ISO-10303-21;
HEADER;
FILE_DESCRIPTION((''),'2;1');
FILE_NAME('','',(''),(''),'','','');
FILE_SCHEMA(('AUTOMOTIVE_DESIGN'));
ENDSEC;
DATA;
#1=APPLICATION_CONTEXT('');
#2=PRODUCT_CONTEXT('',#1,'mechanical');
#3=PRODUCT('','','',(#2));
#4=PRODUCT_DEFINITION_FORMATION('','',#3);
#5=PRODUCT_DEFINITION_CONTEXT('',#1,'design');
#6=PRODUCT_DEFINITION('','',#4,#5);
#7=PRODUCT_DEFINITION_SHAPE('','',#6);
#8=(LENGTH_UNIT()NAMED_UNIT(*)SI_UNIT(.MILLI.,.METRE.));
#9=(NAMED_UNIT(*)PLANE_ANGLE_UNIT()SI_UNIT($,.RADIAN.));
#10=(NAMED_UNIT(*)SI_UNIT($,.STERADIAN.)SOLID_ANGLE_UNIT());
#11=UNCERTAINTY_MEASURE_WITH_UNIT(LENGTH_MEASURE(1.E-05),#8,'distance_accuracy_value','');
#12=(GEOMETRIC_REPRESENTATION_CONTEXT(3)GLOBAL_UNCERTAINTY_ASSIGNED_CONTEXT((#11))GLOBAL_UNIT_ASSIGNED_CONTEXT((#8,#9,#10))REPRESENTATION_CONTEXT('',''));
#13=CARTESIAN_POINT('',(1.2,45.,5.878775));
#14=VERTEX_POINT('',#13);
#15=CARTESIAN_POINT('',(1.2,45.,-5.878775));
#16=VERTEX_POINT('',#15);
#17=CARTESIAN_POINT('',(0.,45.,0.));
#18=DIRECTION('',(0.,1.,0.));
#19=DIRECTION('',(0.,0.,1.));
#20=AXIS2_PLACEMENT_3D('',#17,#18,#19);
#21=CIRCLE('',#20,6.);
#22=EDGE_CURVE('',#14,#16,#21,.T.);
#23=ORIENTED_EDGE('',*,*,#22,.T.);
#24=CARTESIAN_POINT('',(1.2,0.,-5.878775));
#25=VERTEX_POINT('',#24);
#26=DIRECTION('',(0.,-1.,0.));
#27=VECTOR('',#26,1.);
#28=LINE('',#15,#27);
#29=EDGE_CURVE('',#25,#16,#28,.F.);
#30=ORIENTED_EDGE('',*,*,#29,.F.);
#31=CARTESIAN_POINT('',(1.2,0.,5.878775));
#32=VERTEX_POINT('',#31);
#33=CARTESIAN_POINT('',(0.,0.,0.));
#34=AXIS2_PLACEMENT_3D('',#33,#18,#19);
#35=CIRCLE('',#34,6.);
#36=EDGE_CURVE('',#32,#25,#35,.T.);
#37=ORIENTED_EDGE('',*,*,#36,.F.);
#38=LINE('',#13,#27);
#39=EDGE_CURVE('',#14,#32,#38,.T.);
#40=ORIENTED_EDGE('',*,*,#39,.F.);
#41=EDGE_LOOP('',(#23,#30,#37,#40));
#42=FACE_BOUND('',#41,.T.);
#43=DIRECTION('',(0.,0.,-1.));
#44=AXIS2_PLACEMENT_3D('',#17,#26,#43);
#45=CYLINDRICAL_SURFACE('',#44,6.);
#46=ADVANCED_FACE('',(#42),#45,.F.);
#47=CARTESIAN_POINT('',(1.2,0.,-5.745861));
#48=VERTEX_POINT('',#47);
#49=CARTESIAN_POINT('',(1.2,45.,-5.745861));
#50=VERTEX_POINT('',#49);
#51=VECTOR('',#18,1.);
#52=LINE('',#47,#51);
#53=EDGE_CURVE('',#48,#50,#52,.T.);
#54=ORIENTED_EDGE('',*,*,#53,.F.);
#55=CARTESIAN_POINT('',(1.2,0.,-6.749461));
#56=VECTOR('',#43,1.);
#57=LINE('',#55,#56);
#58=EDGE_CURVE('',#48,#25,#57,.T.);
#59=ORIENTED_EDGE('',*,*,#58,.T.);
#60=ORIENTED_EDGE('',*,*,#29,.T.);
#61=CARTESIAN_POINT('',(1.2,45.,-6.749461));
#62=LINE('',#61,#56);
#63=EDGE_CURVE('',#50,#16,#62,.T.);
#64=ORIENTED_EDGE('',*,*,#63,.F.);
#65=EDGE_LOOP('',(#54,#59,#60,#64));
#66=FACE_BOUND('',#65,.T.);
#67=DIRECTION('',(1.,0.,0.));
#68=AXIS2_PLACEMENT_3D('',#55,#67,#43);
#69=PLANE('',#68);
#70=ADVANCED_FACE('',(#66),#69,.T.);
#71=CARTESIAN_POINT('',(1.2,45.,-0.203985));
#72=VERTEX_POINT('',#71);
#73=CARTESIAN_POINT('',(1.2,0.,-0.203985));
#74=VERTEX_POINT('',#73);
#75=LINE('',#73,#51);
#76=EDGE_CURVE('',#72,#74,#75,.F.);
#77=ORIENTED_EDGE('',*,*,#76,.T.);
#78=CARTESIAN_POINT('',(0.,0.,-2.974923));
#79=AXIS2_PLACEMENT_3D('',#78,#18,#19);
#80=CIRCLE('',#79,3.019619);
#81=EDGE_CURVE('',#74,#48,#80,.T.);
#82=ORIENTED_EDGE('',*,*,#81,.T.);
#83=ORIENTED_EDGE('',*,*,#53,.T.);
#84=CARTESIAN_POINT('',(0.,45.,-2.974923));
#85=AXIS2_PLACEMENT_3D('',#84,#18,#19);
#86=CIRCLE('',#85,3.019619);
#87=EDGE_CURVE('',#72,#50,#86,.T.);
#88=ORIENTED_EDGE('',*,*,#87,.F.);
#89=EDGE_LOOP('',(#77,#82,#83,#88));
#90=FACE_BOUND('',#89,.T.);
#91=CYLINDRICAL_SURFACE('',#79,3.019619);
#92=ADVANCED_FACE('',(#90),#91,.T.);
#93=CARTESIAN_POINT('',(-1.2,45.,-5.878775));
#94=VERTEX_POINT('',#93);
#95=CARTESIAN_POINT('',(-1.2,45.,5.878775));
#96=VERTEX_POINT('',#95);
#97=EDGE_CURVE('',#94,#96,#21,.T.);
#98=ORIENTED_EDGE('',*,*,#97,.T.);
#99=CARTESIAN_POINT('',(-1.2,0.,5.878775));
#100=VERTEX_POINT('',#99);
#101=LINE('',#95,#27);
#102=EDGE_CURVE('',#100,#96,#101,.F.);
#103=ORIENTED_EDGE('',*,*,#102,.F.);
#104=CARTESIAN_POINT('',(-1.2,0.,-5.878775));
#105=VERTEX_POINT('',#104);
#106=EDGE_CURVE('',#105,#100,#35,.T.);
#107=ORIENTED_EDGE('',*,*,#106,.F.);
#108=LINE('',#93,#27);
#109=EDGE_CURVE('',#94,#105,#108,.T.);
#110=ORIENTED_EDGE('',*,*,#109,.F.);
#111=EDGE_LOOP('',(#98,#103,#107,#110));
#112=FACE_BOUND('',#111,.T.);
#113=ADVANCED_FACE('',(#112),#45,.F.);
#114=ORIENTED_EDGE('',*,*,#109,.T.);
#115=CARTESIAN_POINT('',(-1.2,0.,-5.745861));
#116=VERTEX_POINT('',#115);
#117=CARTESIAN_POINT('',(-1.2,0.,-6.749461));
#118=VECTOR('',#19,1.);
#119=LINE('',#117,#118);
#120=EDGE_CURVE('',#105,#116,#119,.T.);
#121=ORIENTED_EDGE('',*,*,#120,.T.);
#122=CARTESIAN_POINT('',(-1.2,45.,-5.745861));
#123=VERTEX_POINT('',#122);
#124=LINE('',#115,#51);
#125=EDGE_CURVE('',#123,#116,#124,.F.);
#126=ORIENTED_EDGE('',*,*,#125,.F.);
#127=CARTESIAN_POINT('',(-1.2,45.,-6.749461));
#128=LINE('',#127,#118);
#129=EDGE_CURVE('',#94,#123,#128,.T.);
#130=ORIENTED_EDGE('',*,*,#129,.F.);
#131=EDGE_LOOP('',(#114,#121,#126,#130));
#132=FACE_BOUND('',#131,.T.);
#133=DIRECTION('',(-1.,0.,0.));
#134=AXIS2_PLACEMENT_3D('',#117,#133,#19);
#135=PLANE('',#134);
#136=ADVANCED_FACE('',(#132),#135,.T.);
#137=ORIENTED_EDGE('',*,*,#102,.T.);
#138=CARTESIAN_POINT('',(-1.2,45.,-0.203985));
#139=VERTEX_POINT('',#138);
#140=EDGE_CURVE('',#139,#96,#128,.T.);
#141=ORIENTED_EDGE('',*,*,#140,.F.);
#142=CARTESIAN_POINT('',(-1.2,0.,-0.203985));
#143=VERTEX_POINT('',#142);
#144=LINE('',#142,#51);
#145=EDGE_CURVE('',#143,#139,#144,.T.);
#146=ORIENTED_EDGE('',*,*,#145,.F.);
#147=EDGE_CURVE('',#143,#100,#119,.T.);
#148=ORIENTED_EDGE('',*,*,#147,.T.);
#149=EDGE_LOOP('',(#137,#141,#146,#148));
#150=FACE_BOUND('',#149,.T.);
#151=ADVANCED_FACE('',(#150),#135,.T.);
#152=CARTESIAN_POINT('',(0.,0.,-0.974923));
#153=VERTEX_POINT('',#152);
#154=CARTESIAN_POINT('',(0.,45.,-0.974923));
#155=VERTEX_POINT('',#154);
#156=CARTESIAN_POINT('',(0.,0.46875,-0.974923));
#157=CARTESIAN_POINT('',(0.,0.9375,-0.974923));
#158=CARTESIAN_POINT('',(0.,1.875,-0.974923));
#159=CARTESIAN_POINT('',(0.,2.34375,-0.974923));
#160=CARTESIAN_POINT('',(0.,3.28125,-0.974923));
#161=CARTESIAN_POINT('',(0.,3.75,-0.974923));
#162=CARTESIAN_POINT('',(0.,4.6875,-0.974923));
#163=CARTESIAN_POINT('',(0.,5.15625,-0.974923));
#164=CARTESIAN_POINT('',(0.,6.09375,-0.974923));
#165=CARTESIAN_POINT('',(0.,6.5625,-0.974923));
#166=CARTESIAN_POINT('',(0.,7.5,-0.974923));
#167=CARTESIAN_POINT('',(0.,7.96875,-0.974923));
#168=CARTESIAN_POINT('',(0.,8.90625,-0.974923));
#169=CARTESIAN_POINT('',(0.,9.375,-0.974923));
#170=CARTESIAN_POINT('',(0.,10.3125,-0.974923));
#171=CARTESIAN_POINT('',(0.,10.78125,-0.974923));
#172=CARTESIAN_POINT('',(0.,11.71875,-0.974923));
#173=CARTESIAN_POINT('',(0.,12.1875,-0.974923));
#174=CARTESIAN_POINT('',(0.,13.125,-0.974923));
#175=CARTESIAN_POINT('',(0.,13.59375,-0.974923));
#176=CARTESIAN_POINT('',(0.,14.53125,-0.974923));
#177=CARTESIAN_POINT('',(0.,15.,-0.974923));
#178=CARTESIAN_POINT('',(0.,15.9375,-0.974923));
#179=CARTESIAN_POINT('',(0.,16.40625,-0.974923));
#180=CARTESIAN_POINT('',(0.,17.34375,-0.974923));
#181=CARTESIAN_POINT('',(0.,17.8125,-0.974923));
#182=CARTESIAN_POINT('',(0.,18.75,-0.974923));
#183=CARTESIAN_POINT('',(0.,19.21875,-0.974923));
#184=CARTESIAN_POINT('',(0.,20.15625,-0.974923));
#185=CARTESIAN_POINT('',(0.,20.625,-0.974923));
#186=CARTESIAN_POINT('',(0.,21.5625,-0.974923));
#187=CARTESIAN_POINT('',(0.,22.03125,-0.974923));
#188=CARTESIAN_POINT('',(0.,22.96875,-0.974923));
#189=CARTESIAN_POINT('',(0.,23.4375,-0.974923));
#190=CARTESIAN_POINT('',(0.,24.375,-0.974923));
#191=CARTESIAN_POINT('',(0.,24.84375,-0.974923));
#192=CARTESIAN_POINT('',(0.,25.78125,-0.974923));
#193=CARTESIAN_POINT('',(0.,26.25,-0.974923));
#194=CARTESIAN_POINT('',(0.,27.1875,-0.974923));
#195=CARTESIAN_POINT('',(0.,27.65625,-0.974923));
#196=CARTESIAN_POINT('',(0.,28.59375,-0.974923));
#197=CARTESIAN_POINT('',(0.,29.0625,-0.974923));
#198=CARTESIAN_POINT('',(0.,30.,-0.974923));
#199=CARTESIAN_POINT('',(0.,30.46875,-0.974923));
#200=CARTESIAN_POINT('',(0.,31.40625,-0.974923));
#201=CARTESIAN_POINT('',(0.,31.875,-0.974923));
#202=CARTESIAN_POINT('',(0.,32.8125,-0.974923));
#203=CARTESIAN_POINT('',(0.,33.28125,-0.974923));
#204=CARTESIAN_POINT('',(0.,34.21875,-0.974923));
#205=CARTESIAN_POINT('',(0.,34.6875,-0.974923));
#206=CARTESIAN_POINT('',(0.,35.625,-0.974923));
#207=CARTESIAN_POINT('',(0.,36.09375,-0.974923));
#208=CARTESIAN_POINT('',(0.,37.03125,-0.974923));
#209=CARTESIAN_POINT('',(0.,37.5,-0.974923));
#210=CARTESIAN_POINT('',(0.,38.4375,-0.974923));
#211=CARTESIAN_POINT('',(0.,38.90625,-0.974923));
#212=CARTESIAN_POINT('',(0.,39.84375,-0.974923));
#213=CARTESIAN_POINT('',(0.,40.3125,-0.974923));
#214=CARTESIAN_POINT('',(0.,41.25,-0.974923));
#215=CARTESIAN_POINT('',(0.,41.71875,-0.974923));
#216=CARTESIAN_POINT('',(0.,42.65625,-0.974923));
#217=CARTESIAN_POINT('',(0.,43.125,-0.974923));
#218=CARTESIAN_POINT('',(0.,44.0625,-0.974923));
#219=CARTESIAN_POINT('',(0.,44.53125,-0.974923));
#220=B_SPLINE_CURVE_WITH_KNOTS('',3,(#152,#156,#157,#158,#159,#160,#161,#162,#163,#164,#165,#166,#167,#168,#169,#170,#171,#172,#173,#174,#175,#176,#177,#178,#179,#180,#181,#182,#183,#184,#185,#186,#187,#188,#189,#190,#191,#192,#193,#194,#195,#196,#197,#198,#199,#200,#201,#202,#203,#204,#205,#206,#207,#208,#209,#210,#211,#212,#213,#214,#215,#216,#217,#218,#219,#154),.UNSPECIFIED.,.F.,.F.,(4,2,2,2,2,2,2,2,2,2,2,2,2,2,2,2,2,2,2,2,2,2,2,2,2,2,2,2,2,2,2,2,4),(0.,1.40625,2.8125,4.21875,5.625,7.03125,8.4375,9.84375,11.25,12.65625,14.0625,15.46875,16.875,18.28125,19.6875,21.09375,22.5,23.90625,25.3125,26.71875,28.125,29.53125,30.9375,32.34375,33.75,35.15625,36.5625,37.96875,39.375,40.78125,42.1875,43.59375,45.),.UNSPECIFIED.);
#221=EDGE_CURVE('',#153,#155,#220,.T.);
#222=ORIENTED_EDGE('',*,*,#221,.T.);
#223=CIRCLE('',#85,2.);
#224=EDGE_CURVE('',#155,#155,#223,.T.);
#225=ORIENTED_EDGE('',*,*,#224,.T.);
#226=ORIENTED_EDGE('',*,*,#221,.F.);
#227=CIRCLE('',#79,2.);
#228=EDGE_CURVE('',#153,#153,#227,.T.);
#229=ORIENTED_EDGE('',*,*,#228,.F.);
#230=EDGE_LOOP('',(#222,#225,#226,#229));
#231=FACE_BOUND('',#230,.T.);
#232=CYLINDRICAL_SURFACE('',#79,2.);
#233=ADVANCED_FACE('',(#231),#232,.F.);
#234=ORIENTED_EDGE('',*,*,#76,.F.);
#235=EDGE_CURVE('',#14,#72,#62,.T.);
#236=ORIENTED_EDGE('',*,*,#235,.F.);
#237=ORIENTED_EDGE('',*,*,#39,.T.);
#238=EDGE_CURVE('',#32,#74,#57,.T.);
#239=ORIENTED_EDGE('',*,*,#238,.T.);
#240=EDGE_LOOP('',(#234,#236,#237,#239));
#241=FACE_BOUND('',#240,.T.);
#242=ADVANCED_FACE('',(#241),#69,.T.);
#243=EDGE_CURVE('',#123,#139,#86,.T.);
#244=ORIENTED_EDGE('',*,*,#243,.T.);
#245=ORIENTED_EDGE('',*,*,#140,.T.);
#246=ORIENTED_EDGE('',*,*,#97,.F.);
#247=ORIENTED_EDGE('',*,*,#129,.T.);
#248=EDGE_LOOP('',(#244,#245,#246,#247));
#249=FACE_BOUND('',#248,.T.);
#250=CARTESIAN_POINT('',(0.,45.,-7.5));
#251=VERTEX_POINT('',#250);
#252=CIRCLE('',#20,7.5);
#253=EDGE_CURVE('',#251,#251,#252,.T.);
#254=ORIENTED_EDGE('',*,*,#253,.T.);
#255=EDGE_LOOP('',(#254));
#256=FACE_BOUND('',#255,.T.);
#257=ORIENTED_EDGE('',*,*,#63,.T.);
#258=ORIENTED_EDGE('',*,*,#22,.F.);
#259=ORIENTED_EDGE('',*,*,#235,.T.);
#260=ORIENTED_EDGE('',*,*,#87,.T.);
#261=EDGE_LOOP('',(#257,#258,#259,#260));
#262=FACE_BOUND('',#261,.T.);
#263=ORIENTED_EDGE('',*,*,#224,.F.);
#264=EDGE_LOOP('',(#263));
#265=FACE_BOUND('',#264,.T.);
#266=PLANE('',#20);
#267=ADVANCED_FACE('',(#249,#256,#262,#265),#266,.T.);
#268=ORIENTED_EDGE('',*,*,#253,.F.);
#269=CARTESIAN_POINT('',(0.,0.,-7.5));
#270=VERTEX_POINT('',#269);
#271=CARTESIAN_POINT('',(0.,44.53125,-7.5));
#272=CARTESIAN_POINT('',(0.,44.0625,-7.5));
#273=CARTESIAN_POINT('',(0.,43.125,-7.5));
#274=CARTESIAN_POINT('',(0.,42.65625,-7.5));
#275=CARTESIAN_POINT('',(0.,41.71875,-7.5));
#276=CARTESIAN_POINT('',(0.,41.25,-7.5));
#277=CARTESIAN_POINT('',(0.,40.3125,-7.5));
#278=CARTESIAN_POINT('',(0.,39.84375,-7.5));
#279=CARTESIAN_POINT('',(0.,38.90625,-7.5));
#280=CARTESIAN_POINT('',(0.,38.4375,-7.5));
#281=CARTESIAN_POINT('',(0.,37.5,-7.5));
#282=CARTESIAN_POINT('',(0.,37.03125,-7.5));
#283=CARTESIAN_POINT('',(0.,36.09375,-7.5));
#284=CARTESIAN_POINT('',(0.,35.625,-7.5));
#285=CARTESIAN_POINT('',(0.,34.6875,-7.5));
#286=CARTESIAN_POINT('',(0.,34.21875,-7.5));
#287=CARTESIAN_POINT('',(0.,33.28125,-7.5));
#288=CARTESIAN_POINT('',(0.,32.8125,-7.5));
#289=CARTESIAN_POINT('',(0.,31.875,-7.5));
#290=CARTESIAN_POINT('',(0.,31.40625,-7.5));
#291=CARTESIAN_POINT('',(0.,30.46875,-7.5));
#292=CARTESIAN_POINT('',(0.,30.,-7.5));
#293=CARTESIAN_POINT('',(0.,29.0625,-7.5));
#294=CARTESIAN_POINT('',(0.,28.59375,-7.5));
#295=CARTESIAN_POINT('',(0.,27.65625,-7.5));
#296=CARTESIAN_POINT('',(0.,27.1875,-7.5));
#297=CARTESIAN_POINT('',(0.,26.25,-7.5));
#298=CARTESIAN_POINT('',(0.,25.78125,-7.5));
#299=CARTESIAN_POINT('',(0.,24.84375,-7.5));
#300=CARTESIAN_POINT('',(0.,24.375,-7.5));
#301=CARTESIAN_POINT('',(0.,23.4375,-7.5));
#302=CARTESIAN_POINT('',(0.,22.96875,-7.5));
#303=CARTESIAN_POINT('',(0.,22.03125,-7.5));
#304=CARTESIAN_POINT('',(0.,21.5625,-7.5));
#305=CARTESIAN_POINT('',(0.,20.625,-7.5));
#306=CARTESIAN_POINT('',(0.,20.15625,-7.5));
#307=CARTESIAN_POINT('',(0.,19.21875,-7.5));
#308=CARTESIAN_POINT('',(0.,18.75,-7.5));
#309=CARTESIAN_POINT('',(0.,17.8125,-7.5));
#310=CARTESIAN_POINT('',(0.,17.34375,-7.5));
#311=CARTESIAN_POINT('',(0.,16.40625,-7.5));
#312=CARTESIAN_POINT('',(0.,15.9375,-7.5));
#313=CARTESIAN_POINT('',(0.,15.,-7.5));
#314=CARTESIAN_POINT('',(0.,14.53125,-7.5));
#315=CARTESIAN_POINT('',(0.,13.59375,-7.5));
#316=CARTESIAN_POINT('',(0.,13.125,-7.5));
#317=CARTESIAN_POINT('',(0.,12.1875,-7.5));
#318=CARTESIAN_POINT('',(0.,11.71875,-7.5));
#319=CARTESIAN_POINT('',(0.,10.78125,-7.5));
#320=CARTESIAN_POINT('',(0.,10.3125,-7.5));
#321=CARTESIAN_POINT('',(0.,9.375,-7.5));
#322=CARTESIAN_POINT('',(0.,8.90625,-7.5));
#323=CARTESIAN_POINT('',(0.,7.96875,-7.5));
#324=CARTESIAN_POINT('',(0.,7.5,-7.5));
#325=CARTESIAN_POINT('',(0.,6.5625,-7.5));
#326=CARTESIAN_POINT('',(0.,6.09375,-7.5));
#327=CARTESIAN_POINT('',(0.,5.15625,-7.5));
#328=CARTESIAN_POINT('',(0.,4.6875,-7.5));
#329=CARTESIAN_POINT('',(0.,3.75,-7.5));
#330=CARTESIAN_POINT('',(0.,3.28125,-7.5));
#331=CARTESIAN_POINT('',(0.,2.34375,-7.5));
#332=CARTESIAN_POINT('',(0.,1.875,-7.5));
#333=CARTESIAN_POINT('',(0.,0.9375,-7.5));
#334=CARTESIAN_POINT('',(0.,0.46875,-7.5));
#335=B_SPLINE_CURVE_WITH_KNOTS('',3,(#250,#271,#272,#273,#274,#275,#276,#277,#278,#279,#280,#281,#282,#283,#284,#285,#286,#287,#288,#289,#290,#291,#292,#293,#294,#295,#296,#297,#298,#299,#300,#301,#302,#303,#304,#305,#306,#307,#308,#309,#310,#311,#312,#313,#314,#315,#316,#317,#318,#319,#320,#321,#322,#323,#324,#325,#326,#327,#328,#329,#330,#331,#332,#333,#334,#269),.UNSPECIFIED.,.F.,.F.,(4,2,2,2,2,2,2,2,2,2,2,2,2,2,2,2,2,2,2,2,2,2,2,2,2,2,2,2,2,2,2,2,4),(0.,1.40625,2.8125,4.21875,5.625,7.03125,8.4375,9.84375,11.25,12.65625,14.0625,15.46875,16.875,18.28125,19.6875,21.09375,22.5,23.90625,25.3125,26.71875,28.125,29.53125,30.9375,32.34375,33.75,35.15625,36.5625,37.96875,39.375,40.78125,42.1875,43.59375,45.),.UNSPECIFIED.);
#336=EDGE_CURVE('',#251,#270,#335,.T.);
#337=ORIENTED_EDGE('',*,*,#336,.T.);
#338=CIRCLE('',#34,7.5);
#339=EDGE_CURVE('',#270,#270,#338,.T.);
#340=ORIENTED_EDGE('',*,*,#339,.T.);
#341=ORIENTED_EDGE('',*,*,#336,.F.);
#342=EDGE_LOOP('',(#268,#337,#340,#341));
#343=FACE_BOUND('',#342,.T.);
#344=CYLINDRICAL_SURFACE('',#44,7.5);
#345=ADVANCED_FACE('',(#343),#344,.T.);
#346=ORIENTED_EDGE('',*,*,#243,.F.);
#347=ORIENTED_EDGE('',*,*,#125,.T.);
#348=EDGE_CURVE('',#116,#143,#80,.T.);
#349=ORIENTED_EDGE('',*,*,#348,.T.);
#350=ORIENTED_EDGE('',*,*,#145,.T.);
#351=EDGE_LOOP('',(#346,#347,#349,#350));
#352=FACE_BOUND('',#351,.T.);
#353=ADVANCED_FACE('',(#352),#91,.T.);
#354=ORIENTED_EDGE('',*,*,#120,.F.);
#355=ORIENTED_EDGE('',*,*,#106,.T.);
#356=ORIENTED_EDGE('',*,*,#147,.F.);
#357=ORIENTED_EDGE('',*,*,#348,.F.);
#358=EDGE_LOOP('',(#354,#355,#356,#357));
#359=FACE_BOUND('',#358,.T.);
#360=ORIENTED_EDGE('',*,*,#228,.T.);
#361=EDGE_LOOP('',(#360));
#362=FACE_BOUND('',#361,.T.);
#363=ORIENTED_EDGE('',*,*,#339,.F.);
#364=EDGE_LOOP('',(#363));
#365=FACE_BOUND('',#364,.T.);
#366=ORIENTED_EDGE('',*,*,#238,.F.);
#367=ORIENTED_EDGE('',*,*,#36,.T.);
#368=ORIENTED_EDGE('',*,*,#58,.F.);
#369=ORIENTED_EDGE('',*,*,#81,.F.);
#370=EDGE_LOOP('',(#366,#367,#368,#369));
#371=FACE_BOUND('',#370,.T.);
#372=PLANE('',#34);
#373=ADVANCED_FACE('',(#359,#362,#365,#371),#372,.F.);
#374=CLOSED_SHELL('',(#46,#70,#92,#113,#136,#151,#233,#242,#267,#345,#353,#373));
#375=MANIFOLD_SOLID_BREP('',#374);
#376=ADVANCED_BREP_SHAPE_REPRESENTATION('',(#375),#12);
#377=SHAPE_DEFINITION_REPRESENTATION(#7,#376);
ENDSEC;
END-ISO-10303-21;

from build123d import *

# Parameters (mm, degrees)
SKETCH1_R           = 7.5
SKETCH1_R_2         = 6
BOSS_EXTRUDE1_DEPTH = 45
SKETCH3_W           = 2.4
SKETCH3_H           = 13.68952649
BOSS_EXTRUDE3_DEPTH = 45
SKETCH4_R           = 3.019619096
BOSS_EXTRUDE4_DEPTH = 45
SKETCH5_R           = 2
CUT_EXTRUDE1_DEPTH  = 47.233105022


with BuildPart() as part:
    # Sketch1 → Boss-Extrude1 (new body)
    with BuildSketch(Plane(origin=(0, 0, 0), x_dir=(1, 0, 0), z_dir=(0, 1, 0))):
        with Locations(Location((0, 0, 0), (0, 0, 90))):
            Circle(SKETCH1_R)
        with Locations(Location((0, 0, 0), (0, 0, 90))):
            Circle(SKETCH1_R_2, mode=Mode.SUBTRACT)
    extrude(amount=BOSS_EXTRUDE1_DEPTH)

    # Sketch3 → Boss-Extrude3 (add, through all)
    with BuildSketch(Plane(origin=(0, 45, 0), x_dir=(1, 0, 0), z_dir=(0, 1, 0))):
        with Locations((0, -0.095302319)):
            Rectangle(SKETCH3_W, SKETCH3_H)
    extrude(amount=-BOSS_EXTRUDE3_DEPTH)

    # Sketch4 → Boss-Extrude4 (add, through all)
    with BuildSketch(Plane(origin=(0, 45, 0), x_dir=(1, 0, 0), z_dir=(0, 1, 0))):
        with Locations((0, 2.974923027)):
            Circle(SKETCH4_R)
    extrude(amount=-BOSS_EXTRUDE4_DEPTH)

    # Sketch5 → Cut-Extrude1 (cut, through all)
    with BuildSketch(Plane(origin=(0, 45, 0), x_dir=(1, 0, 0), z_dir=(0, 1, 0))):
        with Locations(Location((0, 2.974923027, 0), (0, 0, 270))):
            Circle(SKETCH5_R)
    extrude(amount=-CUT_EXTRUDE1_DEPTH, mode=Mode.SUBTRACT)


solid = part.part
